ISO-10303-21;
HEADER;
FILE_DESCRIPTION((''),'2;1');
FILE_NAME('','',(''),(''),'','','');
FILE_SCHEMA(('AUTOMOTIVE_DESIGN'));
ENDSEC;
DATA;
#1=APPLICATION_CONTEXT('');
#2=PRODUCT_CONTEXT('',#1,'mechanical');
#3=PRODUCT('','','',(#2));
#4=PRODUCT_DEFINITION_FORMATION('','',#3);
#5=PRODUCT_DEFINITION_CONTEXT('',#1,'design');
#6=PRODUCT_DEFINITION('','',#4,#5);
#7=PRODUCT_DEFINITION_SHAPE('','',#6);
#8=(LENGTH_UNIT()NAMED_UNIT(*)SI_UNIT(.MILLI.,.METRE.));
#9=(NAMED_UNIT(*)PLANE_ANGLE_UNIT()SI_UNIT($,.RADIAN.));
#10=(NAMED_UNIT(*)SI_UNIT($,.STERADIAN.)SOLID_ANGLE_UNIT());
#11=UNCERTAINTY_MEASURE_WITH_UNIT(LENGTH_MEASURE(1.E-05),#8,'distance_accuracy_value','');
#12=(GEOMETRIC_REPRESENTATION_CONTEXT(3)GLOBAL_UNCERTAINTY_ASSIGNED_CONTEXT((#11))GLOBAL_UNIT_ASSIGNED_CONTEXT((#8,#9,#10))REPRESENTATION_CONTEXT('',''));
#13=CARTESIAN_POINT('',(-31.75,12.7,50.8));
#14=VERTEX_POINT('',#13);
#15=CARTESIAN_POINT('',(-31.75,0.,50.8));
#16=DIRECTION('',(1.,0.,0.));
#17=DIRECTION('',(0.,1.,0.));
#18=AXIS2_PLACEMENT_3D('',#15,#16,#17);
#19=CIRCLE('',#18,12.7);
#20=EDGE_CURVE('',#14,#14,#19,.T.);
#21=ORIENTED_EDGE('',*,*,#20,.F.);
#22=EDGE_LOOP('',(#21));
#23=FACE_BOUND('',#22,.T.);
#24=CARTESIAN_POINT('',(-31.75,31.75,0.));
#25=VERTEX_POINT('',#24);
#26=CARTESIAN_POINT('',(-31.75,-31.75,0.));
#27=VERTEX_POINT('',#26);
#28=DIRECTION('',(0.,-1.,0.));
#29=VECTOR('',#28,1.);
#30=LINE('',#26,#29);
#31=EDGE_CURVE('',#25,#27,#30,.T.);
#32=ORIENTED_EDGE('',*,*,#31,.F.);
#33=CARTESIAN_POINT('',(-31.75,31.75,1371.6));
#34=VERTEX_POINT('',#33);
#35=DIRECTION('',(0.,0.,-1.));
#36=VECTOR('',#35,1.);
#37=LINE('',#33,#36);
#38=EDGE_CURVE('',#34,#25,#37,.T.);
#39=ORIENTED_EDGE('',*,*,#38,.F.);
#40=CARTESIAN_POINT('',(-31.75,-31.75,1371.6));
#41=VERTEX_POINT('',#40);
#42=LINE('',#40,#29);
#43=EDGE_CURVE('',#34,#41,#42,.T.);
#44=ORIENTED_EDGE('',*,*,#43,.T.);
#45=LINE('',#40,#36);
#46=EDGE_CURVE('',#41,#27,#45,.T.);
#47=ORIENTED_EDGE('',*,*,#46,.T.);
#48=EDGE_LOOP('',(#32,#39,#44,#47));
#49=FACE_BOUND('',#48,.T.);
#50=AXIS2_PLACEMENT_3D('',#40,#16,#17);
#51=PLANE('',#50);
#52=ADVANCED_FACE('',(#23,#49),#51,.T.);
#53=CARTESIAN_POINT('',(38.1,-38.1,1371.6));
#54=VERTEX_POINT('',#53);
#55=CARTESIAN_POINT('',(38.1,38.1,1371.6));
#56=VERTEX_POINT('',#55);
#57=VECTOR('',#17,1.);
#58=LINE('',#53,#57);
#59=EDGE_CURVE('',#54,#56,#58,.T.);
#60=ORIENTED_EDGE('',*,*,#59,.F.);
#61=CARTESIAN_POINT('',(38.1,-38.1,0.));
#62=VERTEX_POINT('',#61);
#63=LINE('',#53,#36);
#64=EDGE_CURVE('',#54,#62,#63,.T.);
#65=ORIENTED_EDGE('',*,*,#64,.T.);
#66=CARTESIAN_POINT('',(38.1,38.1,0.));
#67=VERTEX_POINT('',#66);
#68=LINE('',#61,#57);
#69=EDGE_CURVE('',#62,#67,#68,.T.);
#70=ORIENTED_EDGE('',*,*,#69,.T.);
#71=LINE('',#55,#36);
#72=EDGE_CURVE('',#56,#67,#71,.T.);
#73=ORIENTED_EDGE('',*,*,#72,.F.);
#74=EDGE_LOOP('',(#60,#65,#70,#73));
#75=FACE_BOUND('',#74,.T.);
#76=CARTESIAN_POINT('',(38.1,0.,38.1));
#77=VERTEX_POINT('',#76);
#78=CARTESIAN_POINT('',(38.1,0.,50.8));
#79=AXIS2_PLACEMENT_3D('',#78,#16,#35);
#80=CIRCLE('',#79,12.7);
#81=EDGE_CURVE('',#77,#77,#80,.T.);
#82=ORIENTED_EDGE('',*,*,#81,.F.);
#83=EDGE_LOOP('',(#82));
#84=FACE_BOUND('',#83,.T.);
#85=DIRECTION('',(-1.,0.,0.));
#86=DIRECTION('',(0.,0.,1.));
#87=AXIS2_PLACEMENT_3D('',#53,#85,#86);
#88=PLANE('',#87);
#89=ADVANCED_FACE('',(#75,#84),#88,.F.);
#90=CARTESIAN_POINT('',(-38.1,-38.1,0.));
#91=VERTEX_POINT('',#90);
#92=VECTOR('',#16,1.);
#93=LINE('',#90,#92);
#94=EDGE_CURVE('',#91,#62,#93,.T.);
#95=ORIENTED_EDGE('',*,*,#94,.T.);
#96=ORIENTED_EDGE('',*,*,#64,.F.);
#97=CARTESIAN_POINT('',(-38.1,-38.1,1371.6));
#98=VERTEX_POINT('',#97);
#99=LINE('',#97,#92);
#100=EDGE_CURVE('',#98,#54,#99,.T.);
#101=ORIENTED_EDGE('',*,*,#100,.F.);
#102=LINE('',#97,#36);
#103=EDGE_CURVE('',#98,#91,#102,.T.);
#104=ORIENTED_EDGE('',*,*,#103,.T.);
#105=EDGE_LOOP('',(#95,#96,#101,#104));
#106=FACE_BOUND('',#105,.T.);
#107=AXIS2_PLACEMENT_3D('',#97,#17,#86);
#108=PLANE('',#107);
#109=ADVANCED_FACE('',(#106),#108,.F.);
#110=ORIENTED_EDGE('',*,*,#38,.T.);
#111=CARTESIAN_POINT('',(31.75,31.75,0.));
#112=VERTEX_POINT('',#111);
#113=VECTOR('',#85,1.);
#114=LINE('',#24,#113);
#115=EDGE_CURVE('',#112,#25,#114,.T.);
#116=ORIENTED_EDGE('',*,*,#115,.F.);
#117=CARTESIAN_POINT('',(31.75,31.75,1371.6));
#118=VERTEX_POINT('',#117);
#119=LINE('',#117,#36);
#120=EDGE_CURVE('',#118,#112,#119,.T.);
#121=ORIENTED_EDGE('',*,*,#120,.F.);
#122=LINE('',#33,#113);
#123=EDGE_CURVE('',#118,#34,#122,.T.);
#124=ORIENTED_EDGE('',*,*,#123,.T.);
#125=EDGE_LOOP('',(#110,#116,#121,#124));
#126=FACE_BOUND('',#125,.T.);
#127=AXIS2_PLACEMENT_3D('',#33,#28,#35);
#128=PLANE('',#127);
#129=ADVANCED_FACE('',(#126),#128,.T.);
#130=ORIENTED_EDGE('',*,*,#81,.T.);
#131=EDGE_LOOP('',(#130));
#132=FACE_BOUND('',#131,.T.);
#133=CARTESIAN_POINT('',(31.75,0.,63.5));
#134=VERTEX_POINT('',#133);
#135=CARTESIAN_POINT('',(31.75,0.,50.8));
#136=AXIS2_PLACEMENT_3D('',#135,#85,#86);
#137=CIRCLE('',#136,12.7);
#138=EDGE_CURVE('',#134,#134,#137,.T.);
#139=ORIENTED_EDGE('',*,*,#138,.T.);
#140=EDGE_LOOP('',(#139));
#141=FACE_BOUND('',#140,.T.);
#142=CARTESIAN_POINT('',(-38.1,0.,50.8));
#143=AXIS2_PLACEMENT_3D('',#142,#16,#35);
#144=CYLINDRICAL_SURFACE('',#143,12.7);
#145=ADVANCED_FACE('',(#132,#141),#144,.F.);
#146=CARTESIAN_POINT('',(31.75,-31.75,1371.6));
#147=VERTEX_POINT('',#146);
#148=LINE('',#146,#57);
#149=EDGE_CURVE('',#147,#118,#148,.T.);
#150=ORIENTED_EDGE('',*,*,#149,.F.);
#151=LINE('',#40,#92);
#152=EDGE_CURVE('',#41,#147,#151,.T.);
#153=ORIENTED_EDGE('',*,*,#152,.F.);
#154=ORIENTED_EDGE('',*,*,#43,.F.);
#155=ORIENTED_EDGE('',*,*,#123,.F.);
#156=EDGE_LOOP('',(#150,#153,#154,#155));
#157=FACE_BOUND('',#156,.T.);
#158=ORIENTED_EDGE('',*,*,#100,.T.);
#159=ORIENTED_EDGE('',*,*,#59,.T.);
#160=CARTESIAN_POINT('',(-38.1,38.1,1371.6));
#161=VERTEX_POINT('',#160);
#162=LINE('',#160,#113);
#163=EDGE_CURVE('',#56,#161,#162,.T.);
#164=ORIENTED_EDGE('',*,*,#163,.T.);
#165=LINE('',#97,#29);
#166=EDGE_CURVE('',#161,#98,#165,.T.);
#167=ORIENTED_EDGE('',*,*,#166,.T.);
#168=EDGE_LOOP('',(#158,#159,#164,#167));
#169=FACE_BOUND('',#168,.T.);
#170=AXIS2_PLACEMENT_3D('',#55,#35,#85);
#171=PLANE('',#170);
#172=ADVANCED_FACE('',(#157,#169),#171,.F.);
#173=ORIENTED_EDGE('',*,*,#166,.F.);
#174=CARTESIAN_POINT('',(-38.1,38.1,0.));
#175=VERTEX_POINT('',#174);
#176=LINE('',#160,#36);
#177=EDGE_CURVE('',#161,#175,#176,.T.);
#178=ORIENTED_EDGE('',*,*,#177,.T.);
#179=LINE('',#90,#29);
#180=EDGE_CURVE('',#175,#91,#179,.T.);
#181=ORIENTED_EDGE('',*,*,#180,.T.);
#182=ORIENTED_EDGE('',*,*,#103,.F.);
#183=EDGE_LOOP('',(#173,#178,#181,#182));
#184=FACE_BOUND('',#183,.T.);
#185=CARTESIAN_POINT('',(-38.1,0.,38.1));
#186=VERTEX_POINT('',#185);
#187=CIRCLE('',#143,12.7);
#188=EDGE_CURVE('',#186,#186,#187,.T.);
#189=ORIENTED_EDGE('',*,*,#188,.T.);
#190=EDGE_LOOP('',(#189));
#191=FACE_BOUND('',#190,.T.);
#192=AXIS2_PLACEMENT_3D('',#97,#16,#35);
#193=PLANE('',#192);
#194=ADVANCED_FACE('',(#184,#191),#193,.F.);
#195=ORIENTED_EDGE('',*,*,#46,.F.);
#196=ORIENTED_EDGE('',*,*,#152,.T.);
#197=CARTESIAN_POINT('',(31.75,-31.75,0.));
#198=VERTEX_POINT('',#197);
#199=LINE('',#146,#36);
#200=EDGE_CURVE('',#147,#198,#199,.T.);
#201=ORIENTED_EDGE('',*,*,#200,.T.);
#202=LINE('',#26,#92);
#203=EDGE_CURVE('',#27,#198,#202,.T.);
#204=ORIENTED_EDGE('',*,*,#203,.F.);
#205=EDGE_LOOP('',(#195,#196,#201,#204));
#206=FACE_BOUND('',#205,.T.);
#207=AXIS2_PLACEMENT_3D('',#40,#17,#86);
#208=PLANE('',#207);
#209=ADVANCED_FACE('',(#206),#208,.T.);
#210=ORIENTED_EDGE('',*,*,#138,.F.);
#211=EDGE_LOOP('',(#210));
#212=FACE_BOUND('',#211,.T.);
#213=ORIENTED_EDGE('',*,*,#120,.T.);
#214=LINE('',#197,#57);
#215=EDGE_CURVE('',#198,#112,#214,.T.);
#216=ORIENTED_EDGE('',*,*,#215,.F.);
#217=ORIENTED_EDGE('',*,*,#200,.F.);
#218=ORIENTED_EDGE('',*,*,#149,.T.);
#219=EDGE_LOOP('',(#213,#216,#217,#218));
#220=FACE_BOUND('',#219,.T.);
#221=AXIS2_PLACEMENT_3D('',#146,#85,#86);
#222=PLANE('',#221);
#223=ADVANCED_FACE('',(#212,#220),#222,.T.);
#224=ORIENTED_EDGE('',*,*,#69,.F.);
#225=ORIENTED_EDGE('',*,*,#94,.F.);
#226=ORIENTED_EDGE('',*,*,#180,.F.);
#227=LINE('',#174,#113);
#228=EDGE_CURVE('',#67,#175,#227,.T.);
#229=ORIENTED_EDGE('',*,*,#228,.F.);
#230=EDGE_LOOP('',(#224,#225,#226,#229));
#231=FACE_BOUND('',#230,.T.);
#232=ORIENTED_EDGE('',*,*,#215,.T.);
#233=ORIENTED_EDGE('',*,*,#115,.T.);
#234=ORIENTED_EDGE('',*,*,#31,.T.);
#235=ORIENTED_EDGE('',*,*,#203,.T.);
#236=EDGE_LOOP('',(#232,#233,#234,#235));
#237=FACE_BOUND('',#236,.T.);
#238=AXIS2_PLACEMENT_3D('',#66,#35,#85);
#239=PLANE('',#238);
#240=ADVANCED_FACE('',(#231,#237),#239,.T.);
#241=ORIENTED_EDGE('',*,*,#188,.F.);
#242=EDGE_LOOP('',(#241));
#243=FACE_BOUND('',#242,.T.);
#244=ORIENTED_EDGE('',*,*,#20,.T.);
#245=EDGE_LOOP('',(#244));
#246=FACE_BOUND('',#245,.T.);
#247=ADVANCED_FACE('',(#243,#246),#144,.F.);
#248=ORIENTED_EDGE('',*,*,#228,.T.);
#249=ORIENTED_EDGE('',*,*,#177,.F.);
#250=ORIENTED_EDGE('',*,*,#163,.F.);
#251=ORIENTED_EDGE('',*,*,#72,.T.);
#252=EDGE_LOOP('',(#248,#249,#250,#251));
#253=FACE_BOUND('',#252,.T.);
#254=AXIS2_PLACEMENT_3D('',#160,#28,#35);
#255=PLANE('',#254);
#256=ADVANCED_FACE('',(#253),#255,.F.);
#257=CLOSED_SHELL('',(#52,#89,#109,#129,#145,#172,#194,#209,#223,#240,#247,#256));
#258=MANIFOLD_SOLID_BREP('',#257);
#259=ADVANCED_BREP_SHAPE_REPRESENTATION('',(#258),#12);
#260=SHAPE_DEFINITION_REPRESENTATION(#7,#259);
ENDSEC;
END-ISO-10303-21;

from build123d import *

# Parameters (mm, degrees)
SKETCH1_W           = 76.2
SKETCH1_H           = 76.2
SKETCH1_W_2         = 63.5
SKETCH1_H_2         = 63.5
BOSS_EXTRUDE1_DEPTH = 1371.6
SKETCH2_R           = 12.7
CUT_EXTRUDE1_DEPTH  = 77.2


with BuildPart() as part:
    # Sketch1 → Boss-Extrude1 (new body)
    with BuildSketch(Plane.XY):
        Rectangle(SKETCH1_W, SKETCH1_H)
        Rectangle(SKETCH1_W_2, SKETCH1_H_2, mode=Mode.SUBTRACT)
    extrude(amount=BOSS_EXTRUDE1_DEPTH)

    # Sketch2 → Cut-Extrude1 (cut, through all)
    with BuildSketch(Plane(origin=(38.1, 0, 0), x_dir=(0, 0, -1), z_dir=(1, 0, 0))):
        with Locations((-50.8, 0)):
            Circle(SKETCH2_R)
    extrude(amount=-CUT_EXTRUDE1_DEPTH, mode=Mode.SUBTRACT)


solid = part.part
